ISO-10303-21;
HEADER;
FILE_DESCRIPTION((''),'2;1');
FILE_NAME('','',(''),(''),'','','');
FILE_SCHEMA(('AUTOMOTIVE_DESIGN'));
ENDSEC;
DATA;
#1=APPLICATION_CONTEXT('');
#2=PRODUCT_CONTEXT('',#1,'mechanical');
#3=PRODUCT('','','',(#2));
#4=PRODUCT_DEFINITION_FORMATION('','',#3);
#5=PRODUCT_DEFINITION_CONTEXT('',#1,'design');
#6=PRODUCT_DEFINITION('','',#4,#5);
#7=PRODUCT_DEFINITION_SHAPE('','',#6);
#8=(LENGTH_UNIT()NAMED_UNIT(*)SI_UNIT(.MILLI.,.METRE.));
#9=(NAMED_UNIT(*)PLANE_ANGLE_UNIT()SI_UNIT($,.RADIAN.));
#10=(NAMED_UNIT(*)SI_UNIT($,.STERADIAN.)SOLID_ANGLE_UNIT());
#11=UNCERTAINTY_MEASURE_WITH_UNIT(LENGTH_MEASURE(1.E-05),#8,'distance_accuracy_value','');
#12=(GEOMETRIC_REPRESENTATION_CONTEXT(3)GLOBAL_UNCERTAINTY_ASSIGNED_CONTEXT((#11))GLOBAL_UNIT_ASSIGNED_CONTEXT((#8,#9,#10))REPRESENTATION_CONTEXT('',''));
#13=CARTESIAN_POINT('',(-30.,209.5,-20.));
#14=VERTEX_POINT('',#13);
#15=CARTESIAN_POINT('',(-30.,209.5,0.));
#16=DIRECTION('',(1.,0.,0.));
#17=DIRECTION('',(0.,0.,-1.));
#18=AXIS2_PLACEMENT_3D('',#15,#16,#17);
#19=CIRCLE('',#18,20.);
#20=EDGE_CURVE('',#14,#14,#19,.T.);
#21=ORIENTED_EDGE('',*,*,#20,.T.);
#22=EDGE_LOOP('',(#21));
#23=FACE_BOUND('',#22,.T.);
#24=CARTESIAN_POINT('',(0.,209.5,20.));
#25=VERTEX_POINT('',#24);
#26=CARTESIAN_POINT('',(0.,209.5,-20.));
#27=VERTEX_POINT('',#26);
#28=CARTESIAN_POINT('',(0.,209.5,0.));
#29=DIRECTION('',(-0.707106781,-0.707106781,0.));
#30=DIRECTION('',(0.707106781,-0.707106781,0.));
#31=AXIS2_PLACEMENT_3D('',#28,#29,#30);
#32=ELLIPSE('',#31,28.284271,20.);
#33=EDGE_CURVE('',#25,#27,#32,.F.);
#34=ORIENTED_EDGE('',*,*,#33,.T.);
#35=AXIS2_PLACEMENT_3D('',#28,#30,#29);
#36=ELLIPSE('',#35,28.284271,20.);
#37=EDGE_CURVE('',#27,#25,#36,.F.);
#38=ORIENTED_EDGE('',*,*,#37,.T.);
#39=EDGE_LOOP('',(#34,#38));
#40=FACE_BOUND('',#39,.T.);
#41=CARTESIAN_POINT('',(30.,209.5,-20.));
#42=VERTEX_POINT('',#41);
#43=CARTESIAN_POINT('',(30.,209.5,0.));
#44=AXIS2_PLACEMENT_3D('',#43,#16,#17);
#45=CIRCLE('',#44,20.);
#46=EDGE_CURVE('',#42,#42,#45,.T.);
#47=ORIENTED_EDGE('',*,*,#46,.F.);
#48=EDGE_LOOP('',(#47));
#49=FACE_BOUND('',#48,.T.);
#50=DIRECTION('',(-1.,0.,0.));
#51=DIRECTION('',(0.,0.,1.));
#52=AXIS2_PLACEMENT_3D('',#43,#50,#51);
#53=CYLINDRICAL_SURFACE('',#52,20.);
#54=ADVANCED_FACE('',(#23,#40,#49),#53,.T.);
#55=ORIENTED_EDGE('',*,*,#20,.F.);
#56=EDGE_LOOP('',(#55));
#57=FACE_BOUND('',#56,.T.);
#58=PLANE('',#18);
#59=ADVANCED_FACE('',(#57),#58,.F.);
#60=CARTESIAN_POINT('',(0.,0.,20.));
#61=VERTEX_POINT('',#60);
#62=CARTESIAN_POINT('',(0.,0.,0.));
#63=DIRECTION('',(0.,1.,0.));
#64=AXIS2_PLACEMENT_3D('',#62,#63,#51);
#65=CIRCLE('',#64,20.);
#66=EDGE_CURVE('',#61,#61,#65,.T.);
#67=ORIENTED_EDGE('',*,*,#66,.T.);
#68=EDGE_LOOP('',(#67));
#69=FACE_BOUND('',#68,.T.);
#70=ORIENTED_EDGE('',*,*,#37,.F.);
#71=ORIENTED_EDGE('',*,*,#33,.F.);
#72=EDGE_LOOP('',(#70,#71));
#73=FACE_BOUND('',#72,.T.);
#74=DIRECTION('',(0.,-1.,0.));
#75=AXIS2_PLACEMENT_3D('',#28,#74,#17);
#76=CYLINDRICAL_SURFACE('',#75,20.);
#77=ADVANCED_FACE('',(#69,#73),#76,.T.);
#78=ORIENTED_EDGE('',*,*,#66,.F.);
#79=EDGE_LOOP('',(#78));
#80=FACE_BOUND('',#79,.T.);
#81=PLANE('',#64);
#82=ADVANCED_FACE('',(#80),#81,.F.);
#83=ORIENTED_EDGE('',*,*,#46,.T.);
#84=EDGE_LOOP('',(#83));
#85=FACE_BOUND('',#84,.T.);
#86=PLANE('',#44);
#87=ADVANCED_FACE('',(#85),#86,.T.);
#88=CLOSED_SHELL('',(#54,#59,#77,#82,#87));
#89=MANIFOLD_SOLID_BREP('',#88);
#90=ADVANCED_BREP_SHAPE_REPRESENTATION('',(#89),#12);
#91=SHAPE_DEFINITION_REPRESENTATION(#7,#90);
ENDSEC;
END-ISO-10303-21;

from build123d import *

# Parameters (mm, degrees)
SKETCH_1_R      = 20
EXTRUDE_1_DEPTH = 209.5
SKETCH_2_R      = 20
EXTRUDE_2_DEPTH = 30


with BuildPart() as part:
    # 草图1 → 凸台-拉伸1 (new body)
    with BuildSketch(Plane(origin=(0, 0, 0), x_dir=(1, 0, 0), z_dir=(0, 1, 0))):
        with Locations(Location((0, 0, 0), (0, 0, 270))):
            Circle(SKETCH_1_R)
    extrude(amount=EXTRUDE_1_DEPTH)

    # 草图2 → 凸台-拉伸2 (add, symmetric)
    with BuildSketch(Plane(origin=(0, 0, 0), x_dir=(0, 0, -1), z_dir=(1, 0, 0))):
        with Locations((0, 209.5)):
            Circle(SKETCH_2_R)
    extrude(amount=EXTRUDE_2_DEPTH, both=True)


solid = part.part
